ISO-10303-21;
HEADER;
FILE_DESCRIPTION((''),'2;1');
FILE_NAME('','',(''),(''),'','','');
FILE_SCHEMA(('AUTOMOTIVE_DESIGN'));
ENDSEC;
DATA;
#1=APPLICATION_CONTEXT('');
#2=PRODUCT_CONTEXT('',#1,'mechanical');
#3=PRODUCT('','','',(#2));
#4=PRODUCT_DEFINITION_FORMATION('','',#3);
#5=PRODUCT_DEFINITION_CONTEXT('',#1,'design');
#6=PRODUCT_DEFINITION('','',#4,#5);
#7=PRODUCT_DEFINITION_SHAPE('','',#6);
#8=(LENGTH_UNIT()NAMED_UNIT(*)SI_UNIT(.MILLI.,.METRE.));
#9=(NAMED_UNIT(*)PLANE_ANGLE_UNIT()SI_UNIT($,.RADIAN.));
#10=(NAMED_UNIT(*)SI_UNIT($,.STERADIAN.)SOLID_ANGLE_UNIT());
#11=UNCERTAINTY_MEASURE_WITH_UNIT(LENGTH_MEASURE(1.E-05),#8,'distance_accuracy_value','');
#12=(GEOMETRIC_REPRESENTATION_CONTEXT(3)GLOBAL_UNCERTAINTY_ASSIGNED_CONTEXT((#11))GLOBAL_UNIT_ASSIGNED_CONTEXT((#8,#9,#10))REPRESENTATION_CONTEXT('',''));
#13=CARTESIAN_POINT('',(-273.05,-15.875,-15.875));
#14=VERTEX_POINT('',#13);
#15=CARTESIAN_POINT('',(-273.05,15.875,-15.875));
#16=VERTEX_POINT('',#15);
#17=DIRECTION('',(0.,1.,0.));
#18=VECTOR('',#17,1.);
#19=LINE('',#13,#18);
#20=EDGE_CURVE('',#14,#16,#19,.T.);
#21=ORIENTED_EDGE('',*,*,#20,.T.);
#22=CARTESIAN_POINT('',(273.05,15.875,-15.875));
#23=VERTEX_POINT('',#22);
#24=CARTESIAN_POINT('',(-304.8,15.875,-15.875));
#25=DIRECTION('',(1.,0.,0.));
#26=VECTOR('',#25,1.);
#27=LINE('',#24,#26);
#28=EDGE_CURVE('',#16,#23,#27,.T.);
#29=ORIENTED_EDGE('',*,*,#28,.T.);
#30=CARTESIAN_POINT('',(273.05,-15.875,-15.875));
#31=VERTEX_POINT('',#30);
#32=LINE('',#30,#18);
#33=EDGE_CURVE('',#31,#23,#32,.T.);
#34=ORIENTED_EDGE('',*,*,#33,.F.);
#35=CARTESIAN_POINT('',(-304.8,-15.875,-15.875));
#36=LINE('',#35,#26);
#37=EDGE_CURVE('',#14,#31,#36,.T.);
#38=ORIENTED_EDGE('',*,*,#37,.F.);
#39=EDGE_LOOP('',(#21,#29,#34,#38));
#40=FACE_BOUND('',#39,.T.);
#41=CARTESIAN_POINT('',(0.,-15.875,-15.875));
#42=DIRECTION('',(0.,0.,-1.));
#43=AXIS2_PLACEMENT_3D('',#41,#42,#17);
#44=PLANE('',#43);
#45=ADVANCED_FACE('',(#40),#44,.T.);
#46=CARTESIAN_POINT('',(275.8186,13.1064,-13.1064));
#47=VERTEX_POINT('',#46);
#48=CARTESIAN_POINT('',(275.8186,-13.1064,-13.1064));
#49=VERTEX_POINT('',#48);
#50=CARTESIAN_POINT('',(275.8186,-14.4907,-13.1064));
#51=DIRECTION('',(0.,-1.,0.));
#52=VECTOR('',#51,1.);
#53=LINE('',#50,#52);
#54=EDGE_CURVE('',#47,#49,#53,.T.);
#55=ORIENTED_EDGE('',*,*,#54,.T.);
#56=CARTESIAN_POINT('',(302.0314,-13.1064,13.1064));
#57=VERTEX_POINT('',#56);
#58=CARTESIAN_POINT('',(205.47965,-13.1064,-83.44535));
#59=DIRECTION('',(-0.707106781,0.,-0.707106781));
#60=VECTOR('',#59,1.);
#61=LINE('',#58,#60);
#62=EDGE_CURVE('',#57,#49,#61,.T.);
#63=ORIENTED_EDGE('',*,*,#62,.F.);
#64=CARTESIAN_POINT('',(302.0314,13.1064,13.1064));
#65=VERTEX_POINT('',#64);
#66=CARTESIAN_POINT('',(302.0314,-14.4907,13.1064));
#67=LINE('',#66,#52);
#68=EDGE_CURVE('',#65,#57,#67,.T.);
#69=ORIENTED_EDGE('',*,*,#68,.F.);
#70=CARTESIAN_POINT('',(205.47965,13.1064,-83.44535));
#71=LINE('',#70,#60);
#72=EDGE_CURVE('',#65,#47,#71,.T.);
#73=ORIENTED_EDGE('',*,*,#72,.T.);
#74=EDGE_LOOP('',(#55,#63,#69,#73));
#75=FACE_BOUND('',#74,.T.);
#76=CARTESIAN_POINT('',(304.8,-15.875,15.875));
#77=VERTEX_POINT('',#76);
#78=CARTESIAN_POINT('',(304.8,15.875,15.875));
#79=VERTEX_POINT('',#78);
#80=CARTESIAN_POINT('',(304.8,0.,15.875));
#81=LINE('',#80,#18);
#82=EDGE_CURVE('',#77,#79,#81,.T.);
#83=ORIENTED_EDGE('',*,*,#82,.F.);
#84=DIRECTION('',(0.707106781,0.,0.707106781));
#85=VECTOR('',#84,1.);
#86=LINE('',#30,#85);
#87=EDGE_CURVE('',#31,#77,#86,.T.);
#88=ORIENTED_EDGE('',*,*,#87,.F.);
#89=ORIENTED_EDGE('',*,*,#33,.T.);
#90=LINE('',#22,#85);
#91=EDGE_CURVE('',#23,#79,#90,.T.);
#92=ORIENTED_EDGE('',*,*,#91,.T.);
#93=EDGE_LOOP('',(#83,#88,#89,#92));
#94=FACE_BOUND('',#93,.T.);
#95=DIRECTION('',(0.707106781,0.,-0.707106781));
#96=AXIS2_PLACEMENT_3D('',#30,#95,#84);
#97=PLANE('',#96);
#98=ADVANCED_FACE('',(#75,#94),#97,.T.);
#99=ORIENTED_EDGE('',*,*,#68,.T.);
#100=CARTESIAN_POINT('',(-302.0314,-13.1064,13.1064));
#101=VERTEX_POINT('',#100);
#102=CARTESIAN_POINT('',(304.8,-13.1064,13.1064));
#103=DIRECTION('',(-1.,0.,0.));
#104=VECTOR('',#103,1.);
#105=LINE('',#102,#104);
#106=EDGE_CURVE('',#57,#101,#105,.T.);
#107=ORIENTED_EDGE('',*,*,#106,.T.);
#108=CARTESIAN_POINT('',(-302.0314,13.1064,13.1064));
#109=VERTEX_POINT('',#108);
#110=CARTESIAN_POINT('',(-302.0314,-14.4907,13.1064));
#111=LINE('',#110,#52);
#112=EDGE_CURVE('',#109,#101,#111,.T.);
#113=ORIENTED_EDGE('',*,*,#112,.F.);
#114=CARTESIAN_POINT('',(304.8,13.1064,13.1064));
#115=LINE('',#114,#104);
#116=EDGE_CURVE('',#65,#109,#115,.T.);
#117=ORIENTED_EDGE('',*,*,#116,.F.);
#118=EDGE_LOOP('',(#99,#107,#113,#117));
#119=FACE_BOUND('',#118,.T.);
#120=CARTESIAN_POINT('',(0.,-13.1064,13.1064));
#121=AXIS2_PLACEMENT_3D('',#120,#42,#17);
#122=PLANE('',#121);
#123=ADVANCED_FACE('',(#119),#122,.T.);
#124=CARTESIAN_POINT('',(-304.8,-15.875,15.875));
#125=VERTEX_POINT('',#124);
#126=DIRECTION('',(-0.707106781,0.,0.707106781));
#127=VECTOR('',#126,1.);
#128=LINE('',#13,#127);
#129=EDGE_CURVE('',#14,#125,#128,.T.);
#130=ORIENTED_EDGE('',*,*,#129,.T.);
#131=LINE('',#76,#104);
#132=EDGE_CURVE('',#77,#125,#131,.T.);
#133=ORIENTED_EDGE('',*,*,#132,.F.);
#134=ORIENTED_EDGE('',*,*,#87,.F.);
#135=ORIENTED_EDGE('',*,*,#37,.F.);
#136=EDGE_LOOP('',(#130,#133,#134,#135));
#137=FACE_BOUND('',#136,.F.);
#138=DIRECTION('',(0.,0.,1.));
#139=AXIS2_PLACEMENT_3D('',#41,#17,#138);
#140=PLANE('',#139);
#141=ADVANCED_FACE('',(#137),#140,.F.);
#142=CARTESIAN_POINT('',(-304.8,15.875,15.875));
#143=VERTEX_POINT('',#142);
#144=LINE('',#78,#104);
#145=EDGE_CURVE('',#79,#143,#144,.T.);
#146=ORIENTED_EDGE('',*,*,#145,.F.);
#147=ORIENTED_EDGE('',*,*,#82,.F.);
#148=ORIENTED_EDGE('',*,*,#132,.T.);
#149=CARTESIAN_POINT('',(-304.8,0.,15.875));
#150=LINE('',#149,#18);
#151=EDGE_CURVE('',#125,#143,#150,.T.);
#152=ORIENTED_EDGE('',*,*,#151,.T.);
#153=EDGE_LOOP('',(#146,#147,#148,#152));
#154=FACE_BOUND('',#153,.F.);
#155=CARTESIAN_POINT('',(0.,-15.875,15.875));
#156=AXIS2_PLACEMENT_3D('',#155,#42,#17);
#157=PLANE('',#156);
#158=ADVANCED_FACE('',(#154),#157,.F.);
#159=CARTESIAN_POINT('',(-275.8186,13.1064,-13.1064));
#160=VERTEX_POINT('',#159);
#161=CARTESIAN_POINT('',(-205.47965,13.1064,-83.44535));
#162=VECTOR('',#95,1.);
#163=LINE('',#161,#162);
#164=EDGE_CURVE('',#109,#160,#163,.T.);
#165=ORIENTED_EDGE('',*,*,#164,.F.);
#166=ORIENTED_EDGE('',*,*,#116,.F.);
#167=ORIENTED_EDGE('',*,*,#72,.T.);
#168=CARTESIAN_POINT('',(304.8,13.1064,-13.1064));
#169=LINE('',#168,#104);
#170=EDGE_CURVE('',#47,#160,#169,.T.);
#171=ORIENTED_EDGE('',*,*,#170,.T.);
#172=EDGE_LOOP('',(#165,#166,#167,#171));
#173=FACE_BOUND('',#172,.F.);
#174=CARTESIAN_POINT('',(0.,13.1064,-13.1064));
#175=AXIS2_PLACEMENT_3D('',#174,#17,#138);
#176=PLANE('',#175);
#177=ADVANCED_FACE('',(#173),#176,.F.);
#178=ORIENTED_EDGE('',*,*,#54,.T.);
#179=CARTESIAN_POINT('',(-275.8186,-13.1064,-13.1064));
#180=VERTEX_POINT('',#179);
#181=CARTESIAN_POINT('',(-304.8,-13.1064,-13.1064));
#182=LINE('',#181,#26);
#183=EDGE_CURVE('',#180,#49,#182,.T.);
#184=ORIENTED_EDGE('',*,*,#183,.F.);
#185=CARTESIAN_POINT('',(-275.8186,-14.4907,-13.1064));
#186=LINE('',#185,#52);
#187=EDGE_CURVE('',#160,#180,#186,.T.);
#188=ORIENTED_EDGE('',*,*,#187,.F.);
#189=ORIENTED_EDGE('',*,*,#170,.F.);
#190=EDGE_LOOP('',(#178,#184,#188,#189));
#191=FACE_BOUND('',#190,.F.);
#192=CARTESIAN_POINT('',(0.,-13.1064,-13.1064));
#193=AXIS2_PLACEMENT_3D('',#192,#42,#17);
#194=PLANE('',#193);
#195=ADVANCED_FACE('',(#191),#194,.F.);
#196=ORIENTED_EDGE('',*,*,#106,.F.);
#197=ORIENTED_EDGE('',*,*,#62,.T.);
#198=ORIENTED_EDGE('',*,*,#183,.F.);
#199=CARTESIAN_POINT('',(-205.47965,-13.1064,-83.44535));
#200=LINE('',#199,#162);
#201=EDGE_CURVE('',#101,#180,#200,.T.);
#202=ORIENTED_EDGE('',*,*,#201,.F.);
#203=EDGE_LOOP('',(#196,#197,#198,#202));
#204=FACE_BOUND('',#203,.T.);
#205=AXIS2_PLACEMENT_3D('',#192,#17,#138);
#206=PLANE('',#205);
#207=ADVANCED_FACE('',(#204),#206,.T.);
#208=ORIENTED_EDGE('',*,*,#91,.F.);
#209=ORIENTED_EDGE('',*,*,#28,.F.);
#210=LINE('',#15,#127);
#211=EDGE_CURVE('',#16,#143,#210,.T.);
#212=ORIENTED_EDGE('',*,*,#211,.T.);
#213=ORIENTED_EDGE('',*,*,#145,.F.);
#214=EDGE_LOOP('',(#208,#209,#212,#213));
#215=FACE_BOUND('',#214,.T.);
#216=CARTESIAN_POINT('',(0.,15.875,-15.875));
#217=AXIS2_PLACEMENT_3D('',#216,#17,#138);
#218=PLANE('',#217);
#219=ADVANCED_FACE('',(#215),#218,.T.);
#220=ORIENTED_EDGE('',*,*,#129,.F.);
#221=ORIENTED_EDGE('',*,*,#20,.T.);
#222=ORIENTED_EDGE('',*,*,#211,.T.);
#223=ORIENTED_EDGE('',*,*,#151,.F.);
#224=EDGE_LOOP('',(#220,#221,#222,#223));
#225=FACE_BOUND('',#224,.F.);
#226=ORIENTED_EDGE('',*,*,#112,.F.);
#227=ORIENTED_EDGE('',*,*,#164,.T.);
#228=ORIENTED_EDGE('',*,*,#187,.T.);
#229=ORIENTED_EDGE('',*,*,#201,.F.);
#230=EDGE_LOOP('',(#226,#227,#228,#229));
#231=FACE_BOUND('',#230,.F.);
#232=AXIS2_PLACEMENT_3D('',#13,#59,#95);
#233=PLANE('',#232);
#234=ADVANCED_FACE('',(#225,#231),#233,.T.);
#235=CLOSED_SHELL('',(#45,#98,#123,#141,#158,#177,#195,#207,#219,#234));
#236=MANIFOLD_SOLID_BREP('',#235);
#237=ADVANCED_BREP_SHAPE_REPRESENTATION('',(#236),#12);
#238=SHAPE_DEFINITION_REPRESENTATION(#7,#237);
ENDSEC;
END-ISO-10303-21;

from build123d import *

# Parameters (mm, degrees)
SKETCH_W       = 31.75
SKETCH_H       = 31.75
SKETCH_W_2     = 26.2128
SKETCH_H_2     = 26.2128
PAD_DEPTH      = 304.8
PAD_DEPTH_BACK = 304.8
POCKET_DEPTH   = 31.75


with BuildPart() as part:
    # Sketch → Pad (new body, two sides)
    with BuildSketch(Plane.YZ) as pad_sk:
        Rectangle(SKETCH_W, SKETCH_H)
        Rectangle(SKETCH_W_2, SKETCH_H_2, mode=Mode.SUBTRACT)
    extrude(amount=PAD_DEPTH)
    extrude(pad_sk.sketch, amount=-PAD_DEPTH_BACK)

    # Sketch001 → Pocket (cut)
    with BuildSketch(Plane(origin=(0, -15.875, 0), x_dir=(0, 0, -1), z_dir=(0, -1, 0))):
        Polygon((-15.875, 304.8), (15.875, 304.8), (15.875, 273.05), align=None)
    pocket = extrude(amount=-POCKET_DEPTH, mode=Mode.SUBTRACT)

    # Mirrored: Pocket across Sketch001 H_Axis
    add(pocket.mirror(Plane(origin=(0, -15.875, 0), x_dir=(0, -1, 0), z_dir=(1, 0, 0))), mode=Mode.SUBTRACT)


solid = part.part
